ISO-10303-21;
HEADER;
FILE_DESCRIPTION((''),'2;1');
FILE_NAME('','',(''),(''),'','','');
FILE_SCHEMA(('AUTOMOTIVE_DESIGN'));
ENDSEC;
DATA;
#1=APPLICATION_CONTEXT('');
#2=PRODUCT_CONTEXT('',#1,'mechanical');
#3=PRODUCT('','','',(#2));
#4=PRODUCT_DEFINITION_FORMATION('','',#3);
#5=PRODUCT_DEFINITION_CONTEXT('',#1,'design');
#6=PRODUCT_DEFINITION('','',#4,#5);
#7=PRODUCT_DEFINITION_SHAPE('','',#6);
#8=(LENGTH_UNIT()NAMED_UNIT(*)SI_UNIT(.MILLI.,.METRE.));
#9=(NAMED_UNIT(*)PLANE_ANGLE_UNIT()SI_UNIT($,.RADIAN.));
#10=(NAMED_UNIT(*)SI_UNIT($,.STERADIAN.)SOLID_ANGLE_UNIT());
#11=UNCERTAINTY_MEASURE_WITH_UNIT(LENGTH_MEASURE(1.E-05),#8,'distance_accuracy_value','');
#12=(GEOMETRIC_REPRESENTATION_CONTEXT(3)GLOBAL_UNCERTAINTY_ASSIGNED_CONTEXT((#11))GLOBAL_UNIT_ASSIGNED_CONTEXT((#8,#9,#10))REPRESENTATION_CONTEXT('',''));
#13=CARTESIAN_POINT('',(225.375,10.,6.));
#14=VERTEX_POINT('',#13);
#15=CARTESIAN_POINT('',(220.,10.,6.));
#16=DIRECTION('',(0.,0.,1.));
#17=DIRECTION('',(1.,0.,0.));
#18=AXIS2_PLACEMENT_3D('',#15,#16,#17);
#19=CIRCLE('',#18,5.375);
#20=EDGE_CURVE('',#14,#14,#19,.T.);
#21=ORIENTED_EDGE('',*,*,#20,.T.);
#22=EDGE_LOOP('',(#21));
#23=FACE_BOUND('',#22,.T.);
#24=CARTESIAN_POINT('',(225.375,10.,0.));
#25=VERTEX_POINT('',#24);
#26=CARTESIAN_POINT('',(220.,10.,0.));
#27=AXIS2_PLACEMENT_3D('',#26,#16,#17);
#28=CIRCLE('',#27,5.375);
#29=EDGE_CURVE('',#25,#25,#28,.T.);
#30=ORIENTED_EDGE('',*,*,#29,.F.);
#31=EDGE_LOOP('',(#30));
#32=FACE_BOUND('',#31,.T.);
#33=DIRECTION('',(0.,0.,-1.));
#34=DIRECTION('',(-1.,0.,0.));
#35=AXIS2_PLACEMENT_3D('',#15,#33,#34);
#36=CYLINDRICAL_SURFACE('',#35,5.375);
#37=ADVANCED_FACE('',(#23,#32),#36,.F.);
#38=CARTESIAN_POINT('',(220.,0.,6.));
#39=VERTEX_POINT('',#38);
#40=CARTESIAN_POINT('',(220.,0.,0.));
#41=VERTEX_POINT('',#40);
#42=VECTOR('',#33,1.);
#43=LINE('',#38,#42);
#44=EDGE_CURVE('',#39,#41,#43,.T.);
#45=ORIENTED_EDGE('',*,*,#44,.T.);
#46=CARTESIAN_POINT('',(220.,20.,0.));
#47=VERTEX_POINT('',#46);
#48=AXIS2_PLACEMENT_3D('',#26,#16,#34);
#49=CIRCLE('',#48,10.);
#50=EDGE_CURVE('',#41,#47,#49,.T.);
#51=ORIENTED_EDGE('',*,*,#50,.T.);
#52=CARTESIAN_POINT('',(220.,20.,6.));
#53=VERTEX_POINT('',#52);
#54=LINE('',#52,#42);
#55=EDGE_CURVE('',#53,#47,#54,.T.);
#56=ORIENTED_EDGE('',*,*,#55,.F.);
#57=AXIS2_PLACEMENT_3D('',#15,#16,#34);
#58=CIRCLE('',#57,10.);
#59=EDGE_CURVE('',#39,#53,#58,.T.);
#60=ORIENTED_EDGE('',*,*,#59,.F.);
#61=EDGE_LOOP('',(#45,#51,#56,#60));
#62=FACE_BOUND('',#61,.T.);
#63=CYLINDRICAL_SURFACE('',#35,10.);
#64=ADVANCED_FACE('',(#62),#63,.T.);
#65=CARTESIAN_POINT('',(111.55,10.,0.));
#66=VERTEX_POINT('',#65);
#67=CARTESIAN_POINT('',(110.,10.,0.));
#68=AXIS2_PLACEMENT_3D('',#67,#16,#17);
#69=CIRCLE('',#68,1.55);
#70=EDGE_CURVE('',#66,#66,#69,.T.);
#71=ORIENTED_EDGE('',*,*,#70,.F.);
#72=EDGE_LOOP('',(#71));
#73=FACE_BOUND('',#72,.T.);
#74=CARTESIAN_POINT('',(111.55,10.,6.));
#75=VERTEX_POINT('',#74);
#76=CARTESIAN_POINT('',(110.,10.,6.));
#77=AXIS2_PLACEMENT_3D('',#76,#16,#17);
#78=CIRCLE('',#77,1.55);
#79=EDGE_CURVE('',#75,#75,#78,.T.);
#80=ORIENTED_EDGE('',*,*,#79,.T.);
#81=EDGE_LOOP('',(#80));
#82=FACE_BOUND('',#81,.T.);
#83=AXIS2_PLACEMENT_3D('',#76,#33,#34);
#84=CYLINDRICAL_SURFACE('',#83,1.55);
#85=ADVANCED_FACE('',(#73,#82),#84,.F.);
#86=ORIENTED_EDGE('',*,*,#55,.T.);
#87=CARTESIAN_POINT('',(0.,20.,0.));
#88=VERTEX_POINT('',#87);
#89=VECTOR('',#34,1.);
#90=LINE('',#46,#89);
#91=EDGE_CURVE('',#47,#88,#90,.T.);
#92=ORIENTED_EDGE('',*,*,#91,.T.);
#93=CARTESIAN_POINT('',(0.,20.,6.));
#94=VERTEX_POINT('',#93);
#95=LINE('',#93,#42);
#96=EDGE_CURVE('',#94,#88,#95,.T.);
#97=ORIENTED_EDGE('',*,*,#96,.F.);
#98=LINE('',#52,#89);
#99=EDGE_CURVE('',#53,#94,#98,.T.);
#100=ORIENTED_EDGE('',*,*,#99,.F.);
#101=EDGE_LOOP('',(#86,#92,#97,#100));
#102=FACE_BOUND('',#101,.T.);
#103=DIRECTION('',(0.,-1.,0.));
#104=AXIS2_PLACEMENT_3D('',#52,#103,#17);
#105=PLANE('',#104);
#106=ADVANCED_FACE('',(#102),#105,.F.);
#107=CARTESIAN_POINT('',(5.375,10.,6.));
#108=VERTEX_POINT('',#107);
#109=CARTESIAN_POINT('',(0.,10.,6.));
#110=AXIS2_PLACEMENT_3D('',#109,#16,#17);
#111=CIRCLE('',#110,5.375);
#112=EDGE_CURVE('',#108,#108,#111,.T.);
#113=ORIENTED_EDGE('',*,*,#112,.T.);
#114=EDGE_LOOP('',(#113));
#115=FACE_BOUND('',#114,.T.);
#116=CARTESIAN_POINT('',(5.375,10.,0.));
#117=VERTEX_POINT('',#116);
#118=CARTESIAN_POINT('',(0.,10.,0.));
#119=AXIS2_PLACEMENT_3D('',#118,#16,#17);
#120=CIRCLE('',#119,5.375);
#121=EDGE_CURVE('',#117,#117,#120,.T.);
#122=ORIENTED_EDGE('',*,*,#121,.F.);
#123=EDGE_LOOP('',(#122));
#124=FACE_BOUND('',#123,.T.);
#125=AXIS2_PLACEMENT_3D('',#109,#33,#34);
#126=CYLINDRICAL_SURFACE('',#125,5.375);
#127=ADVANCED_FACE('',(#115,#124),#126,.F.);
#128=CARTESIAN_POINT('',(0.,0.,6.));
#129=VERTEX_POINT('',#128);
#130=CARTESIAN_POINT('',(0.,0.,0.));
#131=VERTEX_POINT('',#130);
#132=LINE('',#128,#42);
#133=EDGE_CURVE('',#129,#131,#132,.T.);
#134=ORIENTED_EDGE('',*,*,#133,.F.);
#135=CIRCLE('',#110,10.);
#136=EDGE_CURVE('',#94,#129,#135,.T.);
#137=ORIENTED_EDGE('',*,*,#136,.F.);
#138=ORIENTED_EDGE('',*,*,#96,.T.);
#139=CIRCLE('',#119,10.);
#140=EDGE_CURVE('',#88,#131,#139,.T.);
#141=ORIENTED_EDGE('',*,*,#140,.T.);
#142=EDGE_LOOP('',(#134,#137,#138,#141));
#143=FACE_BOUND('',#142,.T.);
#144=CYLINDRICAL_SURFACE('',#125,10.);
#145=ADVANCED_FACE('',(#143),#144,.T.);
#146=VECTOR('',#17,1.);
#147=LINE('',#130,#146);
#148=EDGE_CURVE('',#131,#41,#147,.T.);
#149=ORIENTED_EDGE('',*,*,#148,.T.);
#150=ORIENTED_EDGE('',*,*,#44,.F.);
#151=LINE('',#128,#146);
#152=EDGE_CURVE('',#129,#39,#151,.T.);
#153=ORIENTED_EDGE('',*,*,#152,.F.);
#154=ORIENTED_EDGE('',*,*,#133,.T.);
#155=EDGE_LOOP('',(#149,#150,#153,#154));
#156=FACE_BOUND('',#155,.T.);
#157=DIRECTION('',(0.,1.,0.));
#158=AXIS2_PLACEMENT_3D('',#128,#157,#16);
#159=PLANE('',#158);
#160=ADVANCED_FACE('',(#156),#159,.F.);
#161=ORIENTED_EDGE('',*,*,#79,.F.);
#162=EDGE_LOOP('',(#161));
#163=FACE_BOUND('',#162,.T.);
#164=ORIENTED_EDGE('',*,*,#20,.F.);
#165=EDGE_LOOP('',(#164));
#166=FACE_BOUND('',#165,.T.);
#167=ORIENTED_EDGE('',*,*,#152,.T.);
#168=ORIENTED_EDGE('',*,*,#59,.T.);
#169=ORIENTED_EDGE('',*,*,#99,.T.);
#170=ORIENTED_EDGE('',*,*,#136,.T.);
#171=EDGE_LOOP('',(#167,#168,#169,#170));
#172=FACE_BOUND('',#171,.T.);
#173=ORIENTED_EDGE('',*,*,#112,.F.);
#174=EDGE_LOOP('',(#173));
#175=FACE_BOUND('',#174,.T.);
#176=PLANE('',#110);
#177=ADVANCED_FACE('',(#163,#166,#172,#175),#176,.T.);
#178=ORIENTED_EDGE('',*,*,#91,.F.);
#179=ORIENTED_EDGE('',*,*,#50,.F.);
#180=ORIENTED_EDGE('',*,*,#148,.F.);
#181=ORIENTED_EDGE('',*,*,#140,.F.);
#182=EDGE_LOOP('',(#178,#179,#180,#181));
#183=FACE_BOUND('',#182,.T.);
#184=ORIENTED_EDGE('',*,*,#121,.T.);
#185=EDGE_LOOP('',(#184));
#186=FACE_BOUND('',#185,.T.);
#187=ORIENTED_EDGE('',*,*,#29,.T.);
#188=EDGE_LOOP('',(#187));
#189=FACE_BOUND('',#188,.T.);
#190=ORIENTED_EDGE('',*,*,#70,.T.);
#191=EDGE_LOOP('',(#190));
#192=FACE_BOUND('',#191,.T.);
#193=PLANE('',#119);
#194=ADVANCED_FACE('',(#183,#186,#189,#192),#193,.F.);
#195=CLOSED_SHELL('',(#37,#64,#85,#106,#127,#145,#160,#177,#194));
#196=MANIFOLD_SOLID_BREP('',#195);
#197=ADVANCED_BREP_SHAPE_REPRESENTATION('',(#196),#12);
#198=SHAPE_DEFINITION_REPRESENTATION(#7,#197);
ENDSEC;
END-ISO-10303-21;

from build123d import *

# Parameters (mm, degrees)
ESQUISSE1_R        = 5.375
ESQUISSE1_R_2      = 1.55
BOSS_EXTRU_1_DEPTH = 6


with BuildPart() as part:
    # Esquisse1 → Boss.-Extru.1 (new body)
    with BuildSketch(Plane.XY):
        with BuildLine():
            Line((0, 0), (220, 0))
            ThreePointArc((220, 0), (230, 10), (220, 20))
            Line((220, 20), (0, 20))
            ThreePointArc((0, 20), (-10, 10), (0, 0))
        make_face()
        with Locations((0, 10)):
            Circle(ESQUISSE1_R, mode=Mode.SUBTRACT)
        with Locations((220, 10)):
            Circle(ESQUISSE1_R, mode=Mode.SUBTRACT)
        with Locations((110, 10)):
            Circle(ESQUISSE1_R_2, mode=Mode.SUBTRACT)
    extrude(amount=BOSS_EXTRU_1_DEPTH)


solid = part.part
